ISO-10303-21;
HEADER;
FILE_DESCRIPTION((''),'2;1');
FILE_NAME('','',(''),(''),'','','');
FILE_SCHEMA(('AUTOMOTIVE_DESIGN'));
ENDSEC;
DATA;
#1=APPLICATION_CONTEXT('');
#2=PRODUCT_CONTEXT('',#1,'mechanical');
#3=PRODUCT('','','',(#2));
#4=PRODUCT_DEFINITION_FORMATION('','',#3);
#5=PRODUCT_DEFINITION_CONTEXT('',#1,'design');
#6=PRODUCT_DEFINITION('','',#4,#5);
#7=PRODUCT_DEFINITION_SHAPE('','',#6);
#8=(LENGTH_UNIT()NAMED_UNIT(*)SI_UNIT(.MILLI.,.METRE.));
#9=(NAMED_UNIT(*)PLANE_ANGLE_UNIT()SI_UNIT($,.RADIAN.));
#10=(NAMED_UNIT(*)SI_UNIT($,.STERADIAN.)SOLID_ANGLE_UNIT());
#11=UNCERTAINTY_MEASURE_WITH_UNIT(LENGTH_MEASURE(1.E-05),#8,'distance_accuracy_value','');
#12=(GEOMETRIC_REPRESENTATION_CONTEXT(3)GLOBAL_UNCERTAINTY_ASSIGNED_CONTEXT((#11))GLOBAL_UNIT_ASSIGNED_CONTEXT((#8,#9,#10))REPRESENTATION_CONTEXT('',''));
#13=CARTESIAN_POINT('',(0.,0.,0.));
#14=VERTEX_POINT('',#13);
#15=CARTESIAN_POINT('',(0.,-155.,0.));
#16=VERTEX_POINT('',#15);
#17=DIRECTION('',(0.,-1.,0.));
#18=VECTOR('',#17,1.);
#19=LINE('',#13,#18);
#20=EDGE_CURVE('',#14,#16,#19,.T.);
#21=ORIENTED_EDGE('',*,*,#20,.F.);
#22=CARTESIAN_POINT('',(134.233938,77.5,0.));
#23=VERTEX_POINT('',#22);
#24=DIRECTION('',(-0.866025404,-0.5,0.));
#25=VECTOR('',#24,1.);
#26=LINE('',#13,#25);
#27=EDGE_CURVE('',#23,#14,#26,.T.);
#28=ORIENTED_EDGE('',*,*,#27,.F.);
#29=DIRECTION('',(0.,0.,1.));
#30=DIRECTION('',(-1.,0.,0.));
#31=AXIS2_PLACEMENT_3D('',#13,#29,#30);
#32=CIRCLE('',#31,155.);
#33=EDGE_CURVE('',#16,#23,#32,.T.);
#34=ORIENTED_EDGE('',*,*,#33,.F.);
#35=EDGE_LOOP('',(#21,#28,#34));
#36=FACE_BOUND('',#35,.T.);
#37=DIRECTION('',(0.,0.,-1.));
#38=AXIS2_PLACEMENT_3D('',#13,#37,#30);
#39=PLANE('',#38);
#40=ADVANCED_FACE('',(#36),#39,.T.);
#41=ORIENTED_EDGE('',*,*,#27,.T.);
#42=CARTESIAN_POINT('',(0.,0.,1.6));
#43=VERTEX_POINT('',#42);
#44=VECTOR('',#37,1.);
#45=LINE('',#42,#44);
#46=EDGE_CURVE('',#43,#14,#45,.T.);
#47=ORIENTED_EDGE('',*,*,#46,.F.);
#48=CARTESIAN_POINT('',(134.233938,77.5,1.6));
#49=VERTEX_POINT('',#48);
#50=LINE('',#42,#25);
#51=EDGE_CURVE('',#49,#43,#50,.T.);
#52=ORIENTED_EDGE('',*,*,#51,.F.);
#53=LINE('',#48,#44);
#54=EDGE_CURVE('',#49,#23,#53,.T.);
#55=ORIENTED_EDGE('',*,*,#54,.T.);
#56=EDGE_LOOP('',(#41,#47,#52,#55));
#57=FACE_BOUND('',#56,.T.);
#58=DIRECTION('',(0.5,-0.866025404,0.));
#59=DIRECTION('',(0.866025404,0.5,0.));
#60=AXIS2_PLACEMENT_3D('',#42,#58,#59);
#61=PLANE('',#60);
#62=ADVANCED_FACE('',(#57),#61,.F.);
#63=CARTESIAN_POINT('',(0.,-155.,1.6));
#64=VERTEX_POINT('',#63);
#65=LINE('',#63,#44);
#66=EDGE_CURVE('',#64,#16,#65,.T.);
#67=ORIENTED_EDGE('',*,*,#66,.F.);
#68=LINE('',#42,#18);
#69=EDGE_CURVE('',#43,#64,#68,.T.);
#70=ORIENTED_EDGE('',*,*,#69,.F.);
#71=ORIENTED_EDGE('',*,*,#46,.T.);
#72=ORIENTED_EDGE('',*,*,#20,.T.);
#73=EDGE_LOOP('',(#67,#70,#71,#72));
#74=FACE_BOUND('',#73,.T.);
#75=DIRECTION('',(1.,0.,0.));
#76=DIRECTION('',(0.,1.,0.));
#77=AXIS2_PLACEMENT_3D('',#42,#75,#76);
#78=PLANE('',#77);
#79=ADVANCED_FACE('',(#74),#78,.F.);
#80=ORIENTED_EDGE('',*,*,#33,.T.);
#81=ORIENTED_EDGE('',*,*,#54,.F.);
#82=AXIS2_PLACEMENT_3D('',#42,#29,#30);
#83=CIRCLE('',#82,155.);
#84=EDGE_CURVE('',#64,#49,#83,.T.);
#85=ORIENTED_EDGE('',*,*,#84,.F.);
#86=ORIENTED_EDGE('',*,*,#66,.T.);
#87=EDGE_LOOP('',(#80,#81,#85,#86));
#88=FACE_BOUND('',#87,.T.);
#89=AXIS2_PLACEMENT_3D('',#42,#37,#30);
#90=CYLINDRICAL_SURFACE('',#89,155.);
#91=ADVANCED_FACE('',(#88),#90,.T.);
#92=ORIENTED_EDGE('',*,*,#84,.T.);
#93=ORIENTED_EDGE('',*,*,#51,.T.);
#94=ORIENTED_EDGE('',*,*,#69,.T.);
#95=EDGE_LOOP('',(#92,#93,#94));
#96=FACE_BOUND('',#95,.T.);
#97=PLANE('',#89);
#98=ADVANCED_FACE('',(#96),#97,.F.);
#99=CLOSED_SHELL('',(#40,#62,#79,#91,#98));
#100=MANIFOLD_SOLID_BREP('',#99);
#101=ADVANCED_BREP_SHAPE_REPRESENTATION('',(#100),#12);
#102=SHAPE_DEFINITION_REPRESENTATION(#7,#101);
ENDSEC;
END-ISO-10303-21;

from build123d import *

# Parameters (mm, degrees)
EXTRUDE_1_DEPTH = 1.6


with BuildPart() as part:
    # 草圖1 → 填料-伸長1 (new body)
    with BuildSketch(Plane.XY):
        with BuildLine():
            Line((0, 0), (0, -155))
            ThreePointArc((0, -155), (134.233937587, -77.5), (134.233937587, 77.5))
            Line((134.233937587, 77.5), (0, 0))
        make_face()
    extrude(amount=EXTRUDE_1_DEPTH)


solid = part.part
